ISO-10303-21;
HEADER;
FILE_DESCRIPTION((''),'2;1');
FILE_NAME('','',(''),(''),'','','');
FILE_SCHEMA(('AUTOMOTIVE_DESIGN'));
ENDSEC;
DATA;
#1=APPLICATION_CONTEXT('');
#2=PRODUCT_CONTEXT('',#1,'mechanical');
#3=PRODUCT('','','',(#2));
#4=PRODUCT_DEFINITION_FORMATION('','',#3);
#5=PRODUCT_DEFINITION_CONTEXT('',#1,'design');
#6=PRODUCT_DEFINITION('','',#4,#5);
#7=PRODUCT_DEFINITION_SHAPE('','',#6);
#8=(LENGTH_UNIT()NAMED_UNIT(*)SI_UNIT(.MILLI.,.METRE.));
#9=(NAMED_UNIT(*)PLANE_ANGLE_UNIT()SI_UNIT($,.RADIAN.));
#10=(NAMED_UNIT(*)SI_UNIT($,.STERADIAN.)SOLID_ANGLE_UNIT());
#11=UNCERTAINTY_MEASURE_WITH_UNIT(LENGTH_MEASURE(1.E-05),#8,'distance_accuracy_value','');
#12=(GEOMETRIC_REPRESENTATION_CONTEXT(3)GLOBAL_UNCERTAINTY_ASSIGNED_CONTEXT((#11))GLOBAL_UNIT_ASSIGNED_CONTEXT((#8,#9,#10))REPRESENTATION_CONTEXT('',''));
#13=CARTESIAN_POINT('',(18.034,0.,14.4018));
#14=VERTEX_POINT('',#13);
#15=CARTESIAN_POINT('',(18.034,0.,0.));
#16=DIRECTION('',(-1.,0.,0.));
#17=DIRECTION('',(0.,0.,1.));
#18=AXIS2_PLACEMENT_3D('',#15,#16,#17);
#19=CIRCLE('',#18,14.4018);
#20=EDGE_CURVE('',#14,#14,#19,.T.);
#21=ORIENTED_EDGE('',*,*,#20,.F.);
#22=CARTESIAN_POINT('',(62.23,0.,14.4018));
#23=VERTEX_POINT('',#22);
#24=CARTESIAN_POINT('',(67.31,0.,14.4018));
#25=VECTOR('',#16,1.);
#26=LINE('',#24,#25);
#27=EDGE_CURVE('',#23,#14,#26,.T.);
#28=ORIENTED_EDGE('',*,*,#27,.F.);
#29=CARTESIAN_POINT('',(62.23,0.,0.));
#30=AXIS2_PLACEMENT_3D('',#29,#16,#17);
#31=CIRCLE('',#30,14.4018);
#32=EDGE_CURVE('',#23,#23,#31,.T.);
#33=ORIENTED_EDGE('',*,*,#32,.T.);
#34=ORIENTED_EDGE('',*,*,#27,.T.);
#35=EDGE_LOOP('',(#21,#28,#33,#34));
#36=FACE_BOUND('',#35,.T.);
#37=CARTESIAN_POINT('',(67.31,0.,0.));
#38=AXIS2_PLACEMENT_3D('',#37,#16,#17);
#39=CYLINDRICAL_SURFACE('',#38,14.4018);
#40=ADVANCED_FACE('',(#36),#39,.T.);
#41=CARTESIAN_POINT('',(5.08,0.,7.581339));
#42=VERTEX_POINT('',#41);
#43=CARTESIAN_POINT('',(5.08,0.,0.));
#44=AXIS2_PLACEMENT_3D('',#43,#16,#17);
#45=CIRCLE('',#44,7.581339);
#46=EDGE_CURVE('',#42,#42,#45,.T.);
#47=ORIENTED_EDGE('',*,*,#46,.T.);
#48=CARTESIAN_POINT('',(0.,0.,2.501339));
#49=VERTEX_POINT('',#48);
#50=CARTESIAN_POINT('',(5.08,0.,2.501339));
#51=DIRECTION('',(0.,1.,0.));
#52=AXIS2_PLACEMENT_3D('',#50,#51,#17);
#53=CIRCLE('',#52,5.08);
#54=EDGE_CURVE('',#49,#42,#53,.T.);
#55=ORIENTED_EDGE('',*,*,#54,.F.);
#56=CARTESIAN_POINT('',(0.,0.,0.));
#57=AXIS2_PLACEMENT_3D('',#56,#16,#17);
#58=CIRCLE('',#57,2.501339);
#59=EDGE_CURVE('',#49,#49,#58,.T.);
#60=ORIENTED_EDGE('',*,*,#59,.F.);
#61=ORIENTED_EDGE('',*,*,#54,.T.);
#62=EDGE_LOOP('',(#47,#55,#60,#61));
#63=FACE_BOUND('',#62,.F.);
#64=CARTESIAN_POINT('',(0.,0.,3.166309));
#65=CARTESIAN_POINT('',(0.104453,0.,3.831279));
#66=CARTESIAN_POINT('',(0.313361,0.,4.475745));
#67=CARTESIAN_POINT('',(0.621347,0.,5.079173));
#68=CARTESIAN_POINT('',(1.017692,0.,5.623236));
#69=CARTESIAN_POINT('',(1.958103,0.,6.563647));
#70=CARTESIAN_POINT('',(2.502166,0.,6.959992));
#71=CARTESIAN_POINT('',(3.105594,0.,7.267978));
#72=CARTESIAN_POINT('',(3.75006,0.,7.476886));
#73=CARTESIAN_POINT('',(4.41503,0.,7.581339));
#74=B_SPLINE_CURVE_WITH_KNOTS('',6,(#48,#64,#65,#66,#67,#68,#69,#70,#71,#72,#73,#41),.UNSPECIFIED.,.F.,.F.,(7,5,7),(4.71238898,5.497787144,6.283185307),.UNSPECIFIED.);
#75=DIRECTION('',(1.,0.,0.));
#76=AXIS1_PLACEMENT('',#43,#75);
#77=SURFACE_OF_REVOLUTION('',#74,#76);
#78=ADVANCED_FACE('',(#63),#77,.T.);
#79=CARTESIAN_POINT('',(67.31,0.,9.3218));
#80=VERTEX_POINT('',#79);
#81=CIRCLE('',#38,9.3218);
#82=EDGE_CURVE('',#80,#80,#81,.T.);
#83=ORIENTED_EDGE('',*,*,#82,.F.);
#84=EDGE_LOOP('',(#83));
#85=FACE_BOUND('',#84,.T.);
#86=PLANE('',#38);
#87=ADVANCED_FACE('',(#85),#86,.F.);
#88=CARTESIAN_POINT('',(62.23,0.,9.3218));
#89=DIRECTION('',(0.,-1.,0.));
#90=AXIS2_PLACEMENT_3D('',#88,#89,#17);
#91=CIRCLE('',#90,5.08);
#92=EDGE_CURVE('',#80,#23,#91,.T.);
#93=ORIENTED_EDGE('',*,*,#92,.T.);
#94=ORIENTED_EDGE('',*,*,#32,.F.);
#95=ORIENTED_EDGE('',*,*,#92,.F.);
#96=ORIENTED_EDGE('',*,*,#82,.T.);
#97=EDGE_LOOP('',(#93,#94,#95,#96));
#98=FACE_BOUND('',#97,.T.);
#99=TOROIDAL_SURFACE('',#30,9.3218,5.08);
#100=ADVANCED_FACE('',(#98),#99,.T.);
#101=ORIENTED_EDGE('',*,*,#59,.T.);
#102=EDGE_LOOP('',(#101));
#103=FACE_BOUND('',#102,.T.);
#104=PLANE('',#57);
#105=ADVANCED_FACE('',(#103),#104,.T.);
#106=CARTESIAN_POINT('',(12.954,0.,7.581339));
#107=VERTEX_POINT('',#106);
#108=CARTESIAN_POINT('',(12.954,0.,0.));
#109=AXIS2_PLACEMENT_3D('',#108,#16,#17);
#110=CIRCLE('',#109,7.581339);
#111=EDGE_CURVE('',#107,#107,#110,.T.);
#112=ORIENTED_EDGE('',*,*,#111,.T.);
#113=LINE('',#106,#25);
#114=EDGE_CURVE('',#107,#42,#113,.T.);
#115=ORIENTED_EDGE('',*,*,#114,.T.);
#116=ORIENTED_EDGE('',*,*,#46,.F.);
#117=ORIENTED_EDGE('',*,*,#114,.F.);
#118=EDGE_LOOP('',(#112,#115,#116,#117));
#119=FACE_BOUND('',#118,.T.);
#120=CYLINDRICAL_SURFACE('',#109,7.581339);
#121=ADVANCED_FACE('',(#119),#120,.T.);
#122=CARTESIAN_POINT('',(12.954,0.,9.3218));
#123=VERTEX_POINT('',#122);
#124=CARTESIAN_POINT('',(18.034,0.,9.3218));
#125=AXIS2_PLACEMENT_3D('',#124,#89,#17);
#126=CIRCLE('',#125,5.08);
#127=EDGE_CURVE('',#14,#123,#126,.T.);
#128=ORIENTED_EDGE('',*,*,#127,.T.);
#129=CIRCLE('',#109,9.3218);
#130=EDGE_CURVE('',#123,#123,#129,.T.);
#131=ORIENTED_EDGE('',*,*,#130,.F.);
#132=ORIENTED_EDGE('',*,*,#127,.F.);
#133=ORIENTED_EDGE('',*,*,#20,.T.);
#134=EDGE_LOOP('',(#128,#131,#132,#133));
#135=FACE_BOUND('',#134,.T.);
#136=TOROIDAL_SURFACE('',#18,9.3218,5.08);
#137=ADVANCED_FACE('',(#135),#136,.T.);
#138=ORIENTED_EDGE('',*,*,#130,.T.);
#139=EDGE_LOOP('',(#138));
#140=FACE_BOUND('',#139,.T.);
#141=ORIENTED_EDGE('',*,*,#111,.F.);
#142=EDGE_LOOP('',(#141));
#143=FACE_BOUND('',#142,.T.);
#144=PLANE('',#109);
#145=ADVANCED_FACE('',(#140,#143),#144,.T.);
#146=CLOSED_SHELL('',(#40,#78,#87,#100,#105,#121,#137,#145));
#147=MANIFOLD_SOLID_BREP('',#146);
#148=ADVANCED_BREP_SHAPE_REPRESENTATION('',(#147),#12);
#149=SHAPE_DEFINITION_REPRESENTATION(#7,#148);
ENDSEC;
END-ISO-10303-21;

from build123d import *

# Parameters (mm, degrees)
F2_R = 5.08


with BuildPart() as f1:
    # F0 (on Front) → F1 (revolve)
    with BuildSketch(Plane.XZ):
        Polygon((0, 7.581339), (0, 0), (67.31, 0), (67.31, 14.4018), (12.954, 14.4018), (12.954, 7.581339), align=None)
    revolve(axis=Axis((33.655, 0, 0), (-1, 0, 0)))

    # F2
    f2_edges = [f1.edges().sort_by_distance(p)[0] for p in [
        (67.31, 0, -14.4018),
        (12.954, 0, -14.4018),
        (40.132, 0, 14.4018),
        (0, 0, -7.581339),
    ]]
    fillet(f2_edges, radius=F2_R)


solid = f1.part
